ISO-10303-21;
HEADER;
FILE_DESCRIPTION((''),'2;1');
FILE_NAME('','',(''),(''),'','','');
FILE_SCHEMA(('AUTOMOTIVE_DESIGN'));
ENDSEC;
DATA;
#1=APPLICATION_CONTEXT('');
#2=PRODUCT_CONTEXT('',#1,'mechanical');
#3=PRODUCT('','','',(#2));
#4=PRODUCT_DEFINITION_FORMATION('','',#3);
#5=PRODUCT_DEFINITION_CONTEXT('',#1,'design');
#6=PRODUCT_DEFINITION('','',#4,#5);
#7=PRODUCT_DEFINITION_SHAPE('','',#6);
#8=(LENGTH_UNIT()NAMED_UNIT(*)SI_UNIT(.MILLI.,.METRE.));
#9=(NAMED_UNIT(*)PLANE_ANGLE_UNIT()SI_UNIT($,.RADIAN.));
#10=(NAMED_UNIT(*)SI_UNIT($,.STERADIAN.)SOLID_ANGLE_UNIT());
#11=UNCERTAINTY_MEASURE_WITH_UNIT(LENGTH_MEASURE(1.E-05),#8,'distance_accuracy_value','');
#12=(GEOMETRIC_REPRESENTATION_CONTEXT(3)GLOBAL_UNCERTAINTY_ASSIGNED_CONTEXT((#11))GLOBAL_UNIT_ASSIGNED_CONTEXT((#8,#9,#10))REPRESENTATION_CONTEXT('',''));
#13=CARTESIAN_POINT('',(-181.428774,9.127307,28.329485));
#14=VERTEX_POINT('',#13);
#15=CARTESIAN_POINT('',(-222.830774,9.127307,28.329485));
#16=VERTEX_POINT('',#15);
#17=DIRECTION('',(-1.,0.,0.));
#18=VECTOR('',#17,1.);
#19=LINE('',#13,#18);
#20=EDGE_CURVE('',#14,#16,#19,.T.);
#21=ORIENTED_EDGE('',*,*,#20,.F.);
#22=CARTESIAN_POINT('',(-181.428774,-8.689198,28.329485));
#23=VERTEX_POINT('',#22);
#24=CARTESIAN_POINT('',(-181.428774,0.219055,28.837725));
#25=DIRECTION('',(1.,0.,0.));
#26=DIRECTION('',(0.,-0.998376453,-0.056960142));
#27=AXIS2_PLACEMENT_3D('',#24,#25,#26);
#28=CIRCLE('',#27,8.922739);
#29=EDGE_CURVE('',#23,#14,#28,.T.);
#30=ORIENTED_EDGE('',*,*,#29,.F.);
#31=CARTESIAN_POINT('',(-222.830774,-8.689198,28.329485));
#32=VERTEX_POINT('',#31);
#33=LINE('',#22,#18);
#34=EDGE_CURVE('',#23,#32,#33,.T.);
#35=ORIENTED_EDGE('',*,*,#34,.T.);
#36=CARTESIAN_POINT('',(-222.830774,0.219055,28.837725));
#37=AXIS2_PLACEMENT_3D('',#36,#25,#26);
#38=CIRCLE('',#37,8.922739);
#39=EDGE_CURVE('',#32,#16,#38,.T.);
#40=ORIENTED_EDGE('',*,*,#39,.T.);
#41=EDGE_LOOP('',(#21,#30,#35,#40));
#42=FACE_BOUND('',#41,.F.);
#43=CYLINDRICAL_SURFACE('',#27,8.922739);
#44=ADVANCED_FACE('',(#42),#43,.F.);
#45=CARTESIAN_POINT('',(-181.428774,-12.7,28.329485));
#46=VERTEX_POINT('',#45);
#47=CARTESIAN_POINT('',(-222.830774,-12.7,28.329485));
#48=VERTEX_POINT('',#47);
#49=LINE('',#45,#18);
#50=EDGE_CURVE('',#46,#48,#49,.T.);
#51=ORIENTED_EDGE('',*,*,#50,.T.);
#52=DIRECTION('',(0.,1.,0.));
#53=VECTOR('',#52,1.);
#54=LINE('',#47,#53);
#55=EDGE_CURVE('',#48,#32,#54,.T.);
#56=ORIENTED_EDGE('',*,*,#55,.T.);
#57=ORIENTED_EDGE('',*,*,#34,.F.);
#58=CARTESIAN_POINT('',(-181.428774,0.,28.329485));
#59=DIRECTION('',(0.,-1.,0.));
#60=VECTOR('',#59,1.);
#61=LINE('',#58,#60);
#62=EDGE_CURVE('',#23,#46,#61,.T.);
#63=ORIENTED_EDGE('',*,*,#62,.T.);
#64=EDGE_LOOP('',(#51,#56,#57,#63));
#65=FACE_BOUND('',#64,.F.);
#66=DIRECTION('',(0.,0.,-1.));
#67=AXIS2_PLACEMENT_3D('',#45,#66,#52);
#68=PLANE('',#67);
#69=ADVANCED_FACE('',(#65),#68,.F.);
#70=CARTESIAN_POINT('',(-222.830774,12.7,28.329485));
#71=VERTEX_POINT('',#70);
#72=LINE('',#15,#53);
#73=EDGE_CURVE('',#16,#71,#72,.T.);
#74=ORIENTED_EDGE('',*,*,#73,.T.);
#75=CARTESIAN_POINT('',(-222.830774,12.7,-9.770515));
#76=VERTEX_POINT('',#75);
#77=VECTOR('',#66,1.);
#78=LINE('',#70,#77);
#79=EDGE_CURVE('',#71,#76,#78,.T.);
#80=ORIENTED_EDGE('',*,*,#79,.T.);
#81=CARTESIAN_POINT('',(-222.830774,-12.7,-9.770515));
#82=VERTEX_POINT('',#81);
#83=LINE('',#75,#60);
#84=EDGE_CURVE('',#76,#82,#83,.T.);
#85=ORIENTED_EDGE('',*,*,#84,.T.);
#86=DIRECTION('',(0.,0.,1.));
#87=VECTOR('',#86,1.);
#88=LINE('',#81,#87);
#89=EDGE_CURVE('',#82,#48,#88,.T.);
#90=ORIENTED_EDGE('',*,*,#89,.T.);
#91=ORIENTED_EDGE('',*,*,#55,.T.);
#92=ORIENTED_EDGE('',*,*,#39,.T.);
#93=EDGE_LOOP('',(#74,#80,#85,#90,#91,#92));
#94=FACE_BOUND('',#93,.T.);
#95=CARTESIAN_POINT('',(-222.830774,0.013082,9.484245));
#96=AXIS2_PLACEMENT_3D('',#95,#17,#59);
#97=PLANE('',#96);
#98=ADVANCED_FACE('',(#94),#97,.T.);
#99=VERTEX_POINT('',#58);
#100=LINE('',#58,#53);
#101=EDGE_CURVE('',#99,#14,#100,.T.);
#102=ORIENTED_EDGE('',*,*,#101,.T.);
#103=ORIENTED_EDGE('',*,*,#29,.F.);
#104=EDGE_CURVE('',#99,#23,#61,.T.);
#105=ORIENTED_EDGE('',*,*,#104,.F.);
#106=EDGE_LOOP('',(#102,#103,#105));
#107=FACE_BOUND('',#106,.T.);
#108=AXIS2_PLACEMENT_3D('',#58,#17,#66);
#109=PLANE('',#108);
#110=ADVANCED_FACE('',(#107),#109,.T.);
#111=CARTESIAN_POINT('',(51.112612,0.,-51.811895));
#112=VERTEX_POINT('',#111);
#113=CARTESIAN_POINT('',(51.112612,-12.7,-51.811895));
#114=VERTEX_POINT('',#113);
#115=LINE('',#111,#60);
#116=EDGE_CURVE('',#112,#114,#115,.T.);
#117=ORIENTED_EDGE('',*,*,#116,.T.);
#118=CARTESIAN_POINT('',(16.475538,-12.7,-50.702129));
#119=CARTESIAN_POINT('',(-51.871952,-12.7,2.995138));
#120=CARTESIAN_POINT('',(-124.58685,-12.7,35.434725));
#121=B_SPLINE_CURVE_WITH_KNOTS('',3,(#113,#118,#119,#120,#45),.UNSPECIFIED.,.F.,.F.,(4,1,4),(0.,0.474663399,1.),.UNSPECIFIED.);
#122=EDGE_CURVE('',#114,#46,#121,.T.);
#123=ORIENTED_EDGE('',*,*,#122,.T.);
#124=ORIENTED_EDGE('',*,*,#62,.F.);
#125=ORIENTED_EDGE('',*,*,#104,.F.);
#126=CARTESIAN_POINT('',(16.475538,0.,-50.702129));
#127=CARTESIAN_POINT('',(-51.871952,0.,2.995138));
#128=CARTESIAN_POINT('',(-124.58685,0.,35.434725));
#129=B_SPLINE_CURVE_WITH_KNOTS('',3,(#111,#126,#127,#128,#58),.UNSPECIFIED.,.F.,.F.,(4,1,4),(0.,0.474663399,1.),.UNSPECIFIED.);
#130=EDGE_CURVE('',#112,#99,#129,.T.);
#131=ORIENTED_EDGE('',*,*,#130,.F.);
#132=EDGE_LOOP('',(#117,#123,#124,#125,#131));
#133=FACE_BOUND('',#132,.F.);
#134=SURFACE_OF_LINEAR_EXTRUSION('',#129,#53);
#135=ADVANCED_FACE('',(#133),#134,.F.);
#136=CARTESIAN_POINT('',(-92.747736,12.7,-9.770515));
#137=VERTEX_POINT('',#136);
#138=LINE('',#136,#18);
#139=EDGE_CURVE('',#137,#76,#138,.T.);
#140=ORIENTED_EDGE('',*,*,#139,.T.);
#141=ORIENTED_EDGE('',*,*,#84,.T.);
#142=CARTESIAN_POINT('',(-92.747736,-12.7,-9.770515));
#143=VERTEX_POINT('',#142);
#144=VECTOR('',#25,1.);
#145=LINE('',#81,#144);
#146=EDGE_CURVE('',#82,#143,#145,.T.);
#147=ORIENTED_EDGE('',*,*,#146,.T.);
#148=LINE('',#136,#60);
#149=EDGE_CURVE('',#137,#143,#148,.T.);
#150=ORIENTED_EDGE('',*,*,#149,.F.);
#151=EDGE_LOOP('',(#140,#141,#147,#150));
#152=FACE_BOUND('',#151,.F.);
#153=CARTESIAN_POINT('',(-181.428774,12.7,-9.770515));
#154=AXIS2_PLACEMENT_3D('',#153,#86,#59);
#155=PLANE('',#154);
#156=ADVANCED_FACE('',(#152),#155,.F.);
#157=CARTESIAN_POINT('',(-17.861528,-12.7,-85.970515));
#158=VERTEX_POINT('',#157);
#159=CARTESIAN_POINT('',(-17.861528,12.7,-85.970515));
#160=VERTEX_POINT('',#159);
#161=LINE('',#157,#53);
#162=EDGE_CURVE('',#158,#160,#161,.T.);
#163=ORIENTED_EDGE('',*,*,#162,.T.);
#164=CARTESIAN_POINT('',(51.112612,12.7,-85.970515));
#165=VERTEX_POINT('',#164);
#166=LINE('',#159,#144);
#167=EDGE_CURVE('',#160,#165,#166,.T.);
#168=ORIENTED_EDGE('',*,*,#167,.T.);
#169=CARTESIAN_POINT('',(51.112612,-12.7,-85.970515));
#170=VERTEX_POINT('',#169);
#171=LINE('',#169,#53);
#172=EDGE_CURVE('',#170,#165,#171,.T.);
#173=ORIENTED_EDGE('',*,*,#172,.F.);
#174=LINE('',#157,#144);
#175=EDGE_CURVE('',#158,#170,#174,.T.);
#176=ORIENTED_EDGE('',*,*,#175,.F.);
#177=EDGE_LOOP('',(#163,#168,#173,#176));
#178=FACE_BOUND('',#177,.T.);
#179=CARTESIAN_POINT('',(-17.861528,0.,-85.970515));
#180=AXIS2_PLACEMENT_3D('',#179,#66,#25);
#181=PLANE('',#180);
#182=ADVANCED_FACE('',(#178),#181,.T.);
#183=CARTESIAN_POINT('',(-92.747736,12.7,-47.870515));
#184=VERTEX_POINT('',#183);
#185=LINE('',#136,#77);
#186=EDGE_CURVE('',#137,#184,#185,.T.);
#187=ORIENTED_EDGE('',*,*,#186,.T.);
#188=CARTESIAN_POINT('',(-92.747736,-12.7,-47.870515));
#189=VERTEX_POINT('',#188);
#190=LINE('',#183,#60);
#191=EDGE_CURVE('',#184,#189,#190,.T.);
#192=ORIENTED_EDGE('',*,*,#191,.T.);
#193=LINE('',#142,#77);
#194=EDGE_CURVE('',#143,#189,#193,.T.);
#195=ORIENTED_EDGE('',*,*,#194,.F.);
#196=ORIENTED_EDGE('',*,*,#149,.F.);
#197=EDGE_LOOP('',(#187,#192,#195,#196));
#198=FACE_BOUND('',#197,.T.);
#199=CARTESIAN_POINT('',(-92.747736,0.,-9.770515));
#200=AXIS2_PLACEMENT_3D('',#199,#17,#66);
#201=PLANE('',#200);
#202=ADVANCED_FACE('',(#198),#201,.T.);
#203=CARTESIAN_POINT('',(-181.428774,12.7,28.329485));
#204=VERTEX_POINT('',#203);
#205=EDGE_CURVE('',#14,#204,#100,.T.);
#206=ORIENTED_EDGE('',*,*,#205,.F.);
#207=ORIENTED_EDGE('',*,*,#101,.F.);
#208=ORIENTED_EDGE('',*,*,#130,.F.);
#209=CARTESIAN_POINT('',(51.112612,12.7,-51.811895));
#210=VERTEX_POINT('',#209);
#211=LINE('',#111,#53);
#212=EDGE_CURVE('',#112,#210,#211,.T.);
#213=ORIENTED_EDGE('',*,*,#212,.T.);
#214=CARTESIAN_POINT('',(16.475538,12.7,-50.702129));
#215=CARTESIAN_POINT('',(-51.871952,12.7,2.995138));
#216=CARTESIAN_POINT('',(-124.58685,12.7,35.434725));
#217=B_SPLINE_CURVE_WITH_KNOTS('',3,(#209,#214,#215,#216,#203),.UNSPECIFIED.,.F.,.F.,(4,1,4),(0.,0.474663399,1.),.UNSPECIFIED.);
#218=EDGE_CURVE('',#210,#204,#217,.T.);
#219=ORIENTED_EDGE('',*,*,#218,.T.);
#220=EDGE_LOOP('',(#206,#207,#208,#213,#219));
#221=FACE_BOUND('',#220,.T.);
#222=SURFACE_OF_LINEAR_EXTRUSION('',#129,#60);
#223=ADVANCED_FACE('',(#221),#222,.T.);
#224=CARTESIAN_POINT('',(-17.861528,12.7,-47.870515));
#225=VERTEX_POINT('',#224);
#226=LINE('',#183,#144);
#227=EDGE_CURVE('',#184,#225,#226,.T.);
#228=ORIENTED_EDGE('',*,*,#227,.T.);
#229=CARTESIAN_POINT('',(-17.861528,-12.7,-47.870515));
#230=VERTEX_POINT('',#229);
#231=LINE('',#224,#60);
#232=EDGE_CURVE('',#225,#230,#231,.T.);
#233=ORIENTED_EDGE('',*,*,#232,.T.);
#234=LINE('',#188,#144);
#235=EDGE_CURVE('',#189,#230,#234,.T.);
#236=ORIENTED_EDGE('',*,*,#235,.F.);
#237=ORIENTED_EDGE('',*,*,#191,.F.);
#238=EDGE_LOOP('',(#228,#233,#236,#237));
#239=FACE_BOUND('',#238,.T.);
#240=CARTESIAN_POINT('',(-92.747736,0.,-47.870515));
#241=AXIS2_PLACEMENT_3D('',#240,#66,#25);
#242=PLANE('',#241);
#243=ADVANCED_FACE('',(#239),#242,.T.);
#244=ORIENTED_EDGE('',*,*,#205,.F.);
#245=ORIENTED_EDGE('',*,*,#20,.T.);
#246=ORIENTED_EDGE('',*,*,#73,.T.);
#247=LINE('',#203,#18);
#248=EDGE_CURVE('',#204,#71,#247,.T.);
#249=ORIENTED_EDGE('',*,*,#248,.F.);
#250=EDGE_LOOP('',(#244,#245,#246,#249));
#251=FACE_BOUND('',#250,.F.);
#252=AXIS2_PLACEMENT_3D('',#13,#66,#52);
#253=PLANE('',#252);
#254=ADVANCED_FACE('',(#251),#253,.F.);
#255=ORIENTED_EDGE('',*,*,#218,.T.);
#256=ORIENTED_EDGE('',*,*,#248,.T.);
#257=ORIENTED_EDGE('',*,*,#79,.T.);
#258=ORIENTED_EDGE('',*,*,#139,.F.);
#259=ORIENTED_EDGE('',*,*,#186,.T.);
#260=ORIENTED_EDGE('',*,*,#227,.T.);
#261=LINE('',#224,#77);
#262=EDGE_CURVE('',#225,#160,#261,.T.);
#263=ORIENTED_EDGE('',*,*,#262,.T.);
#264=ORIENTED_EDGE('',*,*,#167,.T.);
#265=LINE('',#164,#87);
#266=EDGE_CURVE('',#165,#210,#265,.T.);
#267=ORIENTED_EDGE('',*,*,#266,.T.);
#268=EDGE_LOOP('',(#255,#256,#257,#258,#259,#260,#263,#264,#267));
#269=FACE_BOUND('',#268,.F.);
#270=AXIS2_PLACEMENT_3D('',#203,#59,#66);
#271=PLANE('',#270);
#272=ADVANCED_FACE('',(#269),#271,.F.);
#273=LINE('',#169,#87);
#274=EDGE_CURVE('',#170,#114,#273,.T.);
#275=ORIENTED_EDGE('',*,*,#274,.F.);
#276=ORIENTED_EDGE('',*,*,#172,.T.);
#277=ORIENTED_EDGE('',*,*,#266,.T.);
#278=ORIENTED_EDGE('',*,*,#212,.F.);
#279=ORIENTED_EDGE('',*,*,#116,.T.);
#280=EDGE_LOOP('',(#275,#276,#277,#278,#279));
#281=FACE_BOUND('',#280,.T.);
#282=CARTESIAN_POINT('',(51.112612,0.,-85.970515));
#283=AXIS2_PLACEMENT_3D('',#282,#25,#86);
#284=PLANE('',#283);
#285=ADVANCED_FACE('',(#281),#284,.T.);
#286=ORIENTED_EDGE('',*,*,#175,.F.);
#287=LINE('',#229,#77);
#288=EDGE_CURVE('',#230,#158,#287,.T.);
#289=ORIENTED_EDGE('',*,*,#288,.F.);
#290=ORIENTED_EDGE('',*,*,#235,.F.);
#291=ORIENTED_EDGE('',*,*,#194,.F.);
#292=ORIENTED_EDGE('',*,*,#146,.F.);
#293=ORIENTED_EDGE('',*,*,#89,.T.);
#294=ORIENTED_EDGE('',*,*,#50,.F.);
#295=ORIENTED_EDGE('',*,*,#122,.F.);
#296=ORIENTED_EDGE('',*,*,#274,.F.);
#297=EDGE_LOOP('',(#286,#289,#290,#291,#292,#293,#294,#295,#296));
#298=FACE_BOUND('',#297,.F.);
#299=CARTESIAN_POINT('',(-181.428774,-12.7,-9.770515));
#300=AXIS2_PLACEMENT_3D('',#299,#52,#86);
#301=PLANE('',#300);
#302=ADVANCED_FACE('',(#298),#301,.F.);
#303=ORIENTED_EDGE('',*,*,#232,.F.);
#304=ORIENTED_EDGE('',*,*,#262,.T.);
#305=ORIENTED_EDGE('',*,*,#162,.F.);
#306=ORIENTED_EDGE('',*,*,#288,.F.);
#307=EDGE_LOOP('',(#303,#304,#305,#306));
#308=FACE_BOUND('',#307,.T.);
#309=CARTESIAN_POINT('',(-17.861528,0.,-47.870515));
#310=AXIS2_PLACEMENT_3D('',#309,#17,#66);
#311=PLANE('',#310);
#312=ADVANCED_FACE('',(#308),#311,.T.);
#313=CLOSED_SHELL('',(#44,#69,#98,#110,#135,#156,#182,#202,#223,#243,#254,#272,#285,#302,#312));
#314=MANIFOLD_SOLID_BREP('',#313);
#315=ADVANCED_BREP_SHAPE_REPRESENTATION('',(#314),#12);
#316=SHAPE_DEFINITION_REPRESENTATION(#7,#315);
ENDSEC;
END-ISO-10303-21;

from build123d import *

# Parameters (mm, degrees)
F1_DEPTH = 12.7
F3_DEPTH = 41.402


with BuildPart() as f1:
    # F0 (on Front) → F1 (new body, symmetric)
    with BuildSketch(Plane.XZ):
        with BuildLine():
            add(Edge.make_bspline(
                [(51.1126115401, -51.8118948624), (16.4755377918, -50.7021285594), (-51.8719519593, 2.9951382796), (-124.586850239, 35.434725417), (-181.428774022, 28.3294849442)],
                knots=[0, 0, 0, 0, 0.4746633994, 1, 1, 1, 1], degree=3))
            Line((-181.428774022, 28.3294849442), (-181.428774022, -9.7705150558))
            Line((-181.428774022, -9.7705150558), (-92.7477355699, -9.7705150558))
            Line((-92.7477355699, -9.7705150558), (-92.7477355699, -47.8705150558))
            Line((-92.7477355699, -47.8705150558), (-17.8615278795, -47.8705150558))
            Line((-17.8615278795, -47.8705150558), (-17.8615278795, -85.9705150558))
            Line((-17.8615278795, -85.9705150558), (51.1126115401, -85.9705150558))
            Line((51.1126115401, -85.9705150558), (51.1126115401, -51.8118948624))
        make_face()
    extrude(amount=F1_DEPTH, both=True)

    # F2 (on face) → F3 (join)
    with BuildSketch(Plane(origin=(-181.428774022, 0, 0), x_dir=(0, -1, 0), z_dir=(-1, 0, 0))):
        with BuildLine():
            ThreePointArc((8.6891977116, 28.3294849442), (-0.2190545201, 19.9149866949), (-9.1273067519, 28.3294849442))
            Line((-9.1273067519, 28.3294849442), (-12.7, 28.3294849442))
            Line((-12.7, 28.3294849442), (-12.7, -9.7705150558))
            Line((-12.7, -9.7705150558), (12.7, -9.7705150558))
            Line((12.7, -9.7705150558), (12.7, 28.3294849442))
            Line((12.7, 28.3294849442), (8.6891977116, 28.3294849442))
        make_face()
    extrude(amount=F3_DEPTH)


solid = f1.part
